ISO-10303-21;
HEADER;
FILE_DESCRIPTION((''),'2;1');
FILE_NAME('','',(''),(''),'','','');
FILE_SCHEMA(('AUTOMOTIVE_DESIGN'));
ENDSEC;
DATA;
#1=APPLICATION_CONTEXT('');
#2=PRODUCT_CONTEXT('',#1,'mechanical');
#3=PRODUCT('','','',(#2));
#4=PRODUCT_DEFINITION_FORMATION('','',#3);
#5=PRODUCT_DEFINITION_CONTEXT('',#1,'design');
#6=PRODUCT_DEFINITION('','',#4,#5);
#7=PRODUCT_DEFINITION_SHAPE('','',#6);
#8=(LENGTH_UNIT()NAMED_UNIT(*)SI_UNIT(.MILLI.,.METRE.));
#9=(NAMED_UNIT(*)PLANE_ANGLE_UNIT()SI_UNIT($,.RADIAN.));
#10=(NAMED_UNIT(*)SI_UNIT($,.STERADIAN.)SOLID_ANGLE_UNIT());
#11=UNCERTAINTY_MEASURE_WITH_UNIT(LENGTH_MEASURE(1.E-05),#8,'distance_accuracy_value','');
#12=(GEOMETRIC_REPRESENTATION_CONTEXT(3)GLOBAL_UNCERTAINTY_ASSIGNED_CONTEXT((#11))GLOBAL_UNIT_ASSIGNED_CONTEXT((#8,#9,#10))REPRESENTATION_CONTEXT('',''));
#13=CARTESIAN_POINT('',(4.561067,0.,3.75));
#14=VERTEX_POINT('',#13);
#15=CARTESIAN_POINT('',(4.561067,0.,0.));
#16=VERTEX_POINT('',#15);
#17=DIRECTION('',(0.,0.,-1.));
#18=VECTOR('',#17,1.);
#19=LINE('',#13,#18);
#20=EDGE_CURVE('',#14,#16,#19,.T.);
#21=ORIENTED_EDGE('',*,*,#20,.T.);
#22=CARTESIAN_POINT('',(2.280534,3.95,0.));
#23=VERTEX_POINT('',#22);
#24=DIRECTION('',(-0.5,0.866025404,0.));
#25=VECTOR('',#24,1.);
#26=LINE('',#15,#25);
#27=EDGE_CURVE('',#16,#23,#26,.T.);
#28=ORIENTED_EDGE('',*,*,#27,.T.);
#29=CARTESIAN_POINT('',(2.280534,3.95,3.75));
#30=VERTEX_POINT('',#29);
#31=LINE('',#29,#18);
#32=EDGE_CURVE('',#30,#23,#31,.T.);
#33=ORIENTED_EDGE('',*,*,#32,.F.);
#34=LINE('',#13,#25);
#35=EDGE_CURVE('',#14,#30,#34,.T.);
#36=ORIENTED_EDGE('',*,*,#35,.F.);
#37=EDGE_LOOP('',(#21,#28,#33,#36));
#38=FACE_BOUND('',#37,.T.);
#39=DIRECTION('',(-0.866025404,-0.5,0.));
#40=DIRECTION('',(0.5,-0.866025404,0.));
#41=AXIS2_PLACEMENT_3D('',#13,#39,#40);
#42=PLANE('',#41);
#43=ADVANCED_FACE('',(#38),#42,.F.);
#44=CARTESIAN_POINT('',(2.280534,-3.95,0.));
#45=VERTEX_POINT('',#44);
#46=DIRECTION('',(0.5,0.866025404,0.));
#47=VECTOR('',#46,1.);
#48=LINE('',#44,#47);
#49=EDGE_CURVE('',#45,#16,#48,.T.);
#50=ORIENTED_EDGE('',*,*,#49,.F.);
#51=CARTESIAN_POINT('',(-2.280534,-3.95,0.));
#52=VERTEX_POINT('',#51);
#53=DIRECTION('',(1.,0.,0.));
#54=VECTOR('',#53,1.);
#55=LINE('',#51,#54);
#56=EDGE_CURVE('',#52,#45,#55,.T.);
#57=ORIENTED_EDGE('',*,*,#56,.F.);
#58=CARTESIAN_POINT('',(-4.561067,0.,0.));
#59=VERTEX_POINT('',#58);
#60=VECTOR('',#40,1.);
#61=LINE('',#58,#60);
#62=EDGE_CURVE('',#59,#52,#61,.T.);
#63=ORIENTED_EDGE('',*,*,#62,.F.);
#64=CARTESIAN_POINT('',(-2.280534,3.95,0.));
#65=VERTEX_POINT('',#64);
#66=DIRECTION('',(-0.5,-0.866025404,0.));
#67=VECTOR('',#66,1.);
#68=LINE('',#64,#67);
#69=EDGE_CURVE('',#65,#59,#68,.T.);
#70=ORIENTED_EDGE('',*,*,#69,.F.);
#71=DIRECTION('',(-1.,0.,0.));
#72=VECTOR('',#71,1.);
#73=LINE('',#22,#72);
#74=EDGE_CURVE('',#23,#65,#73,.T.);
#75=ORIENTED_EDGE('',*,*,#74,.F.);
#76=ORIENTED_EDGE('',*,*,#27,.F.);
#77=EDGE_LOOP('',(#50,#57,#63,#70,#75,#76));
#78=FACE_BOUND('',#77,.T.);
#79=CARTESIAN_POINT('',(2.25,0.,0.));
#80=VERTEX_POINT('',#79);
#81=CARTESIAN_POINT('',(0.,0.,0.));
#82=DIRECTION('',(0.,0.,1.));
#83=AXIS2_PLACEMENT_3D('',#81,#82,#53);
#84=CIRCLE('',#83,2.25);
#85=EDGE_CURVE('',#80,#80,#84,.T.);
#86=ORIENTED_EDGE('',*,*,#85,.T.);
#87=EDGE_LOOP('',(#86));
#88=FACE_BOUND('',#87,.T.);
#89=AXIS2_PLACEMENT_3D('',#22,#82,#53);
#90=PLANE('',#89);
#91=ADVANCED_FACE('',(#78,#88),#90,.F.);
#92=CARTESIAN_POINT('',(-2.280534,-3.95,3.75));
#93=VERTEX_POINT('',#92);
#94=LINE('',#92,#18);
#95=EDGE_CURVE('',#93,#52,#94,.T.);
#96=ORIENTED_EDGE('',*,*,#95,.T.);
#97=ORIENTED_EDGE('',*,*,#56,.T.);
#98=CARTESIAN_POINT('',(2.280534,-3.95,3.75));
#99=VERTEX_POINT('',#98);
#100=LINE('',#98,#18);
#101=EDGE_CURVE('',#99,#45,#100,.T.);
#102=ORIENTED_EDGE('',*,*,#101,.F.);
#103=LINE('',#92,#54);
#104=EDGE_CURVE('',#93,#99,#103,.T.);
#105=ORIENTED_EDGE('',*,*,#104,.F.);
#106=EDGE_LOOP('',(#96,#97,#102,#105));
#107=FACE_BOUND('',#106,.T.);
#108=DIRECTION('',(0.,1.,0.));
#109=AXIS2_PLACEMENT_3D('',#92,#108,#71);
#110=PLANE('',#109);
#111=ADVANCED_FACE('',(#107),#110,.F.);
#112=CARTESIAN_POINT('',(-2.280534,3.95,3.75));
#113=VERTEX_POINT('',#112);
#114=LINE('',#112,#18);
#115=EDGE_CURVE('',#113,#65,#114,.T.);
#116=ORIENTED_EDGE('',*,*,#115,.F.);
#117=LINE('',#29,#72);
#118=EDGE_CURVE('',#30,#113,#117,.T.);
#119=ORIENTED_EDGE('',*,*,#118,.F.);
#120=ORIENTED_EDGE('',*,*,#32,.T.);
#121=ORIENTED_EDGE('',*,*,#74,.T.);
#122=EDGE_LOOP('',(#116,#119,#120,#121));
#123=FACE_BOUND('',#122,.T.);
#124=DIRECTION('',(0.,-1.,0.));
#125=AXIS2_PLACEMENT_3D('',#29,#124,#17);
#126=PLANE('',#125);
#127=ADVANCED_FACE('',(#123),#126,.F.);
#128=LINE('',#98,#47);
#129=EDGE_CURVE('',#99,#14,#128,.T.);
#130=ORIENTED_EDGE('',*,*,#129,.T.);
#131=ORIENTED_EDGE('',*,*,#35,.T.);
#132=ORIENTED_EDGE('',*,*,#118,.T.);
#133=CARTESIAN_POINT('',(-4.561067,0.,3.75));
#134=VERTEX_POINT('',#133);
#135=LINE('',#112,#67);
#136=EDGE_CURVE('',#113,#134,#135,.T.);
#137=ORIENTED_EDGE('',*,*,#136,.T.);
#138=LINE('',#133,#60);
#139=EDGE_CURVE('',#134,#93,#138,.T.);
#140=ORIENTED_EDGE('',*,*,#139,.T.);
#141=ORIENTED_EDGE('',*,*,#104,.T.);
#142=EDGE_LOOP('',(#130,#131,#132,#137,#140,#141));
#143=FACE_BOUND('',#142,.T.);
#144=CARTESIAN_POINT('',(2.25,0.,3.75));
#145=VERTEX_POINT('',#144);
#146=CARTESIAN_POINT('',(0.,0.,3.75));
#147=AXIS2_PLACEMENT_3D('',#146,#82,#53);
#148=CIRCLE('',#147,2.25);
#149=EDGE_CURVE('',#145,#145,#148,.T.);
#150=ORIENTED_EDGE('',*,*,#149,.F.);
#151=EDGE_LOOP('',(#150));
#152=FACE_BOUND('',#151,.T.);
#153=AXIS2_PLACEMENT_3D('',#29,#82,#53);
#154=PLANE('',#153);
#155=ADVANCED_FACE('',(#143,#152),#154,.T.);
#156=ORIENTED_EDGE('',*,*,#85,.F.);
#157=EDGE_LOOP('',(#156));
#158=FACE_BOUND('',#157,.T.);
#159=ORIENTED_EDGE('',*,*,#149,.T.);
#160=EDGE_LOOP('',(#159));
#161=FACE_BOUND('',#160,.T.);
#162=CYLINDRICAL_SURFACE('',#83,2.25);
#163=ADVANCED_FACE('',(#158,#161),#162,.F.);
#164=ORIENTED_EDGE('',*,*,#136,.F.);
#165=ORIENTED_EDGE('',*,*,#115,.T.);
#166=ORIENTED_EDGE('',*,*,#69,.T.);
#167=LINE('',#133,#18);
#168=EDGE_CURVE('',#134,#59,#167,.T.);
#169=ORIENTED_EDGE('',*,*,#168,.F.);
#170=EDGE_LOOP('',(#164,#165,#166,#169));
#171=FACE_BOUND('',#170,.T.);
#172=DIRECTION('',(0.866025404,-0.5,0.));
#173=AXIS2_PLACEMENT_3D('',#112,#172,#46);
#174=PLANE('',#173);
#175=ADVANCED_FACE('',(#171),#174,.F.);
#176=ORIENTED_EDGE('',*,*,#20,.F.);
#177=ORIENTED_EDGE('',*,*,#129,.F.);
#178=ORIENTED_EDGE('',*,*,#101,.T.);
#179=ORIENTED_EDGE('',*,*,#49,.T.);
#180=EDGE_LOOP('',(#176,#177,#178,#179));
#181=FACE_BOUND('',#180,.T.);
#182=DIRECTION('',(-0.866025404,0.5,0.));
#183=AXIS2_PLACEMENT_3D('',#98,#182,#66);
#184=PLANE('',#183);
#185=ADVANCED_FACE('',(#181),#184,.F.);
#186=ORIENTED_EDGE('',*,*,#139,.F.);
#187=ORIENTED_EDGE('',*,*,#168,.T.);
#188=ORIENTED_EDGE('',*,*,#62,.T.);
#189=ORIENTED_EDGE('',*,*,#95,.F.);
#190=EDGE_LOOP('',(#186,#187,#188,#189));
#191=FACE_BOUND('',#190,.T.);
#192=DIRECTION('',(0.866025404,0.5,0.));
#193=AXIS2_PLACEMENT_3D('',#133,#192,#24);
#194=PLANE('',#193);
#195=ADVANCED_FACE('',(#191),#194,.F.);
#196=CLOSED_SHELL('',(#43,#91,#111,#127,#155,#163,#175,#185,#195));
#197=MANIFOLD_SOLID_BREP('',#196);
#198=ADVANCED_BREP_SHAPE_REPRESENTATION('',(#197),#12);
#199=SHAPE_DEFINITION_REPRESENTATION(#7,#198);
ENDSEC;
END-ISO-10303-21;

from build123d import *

# Parameters (mm, degrees)
BOSS_EXTRUDE1_DEPTH = 3.75
SKETCH2_R           = 2.25
CUT_EXTRUDE1_DEPTH  = 4.75


with BuildPart() as part:
    # Sketch1 → Boss-Extrude1 (new body)
    with BuildSketch(Plane.XY):
        Polygon((2.280533563, 3.95), (-2.280533563, 3.95), (-4.561067127, 0), (-2.280533563, -3.95), (2.280533563, -3.95), (4.561067127, 0), align=None)
    extrude(amount=BOSS_EXTRUDE1_DEPTH)

    # Sketch2 → Cut-Extrude1 (cut, through all)
    with BuildSketch(Plane.XY.offset(3.75)):
        Circle(SKETCH2_R)
    extrude(amount=-CUT_EXTRUDE1_DEPTH, mode=Mode.SUBTRACT)


solid = part.part
